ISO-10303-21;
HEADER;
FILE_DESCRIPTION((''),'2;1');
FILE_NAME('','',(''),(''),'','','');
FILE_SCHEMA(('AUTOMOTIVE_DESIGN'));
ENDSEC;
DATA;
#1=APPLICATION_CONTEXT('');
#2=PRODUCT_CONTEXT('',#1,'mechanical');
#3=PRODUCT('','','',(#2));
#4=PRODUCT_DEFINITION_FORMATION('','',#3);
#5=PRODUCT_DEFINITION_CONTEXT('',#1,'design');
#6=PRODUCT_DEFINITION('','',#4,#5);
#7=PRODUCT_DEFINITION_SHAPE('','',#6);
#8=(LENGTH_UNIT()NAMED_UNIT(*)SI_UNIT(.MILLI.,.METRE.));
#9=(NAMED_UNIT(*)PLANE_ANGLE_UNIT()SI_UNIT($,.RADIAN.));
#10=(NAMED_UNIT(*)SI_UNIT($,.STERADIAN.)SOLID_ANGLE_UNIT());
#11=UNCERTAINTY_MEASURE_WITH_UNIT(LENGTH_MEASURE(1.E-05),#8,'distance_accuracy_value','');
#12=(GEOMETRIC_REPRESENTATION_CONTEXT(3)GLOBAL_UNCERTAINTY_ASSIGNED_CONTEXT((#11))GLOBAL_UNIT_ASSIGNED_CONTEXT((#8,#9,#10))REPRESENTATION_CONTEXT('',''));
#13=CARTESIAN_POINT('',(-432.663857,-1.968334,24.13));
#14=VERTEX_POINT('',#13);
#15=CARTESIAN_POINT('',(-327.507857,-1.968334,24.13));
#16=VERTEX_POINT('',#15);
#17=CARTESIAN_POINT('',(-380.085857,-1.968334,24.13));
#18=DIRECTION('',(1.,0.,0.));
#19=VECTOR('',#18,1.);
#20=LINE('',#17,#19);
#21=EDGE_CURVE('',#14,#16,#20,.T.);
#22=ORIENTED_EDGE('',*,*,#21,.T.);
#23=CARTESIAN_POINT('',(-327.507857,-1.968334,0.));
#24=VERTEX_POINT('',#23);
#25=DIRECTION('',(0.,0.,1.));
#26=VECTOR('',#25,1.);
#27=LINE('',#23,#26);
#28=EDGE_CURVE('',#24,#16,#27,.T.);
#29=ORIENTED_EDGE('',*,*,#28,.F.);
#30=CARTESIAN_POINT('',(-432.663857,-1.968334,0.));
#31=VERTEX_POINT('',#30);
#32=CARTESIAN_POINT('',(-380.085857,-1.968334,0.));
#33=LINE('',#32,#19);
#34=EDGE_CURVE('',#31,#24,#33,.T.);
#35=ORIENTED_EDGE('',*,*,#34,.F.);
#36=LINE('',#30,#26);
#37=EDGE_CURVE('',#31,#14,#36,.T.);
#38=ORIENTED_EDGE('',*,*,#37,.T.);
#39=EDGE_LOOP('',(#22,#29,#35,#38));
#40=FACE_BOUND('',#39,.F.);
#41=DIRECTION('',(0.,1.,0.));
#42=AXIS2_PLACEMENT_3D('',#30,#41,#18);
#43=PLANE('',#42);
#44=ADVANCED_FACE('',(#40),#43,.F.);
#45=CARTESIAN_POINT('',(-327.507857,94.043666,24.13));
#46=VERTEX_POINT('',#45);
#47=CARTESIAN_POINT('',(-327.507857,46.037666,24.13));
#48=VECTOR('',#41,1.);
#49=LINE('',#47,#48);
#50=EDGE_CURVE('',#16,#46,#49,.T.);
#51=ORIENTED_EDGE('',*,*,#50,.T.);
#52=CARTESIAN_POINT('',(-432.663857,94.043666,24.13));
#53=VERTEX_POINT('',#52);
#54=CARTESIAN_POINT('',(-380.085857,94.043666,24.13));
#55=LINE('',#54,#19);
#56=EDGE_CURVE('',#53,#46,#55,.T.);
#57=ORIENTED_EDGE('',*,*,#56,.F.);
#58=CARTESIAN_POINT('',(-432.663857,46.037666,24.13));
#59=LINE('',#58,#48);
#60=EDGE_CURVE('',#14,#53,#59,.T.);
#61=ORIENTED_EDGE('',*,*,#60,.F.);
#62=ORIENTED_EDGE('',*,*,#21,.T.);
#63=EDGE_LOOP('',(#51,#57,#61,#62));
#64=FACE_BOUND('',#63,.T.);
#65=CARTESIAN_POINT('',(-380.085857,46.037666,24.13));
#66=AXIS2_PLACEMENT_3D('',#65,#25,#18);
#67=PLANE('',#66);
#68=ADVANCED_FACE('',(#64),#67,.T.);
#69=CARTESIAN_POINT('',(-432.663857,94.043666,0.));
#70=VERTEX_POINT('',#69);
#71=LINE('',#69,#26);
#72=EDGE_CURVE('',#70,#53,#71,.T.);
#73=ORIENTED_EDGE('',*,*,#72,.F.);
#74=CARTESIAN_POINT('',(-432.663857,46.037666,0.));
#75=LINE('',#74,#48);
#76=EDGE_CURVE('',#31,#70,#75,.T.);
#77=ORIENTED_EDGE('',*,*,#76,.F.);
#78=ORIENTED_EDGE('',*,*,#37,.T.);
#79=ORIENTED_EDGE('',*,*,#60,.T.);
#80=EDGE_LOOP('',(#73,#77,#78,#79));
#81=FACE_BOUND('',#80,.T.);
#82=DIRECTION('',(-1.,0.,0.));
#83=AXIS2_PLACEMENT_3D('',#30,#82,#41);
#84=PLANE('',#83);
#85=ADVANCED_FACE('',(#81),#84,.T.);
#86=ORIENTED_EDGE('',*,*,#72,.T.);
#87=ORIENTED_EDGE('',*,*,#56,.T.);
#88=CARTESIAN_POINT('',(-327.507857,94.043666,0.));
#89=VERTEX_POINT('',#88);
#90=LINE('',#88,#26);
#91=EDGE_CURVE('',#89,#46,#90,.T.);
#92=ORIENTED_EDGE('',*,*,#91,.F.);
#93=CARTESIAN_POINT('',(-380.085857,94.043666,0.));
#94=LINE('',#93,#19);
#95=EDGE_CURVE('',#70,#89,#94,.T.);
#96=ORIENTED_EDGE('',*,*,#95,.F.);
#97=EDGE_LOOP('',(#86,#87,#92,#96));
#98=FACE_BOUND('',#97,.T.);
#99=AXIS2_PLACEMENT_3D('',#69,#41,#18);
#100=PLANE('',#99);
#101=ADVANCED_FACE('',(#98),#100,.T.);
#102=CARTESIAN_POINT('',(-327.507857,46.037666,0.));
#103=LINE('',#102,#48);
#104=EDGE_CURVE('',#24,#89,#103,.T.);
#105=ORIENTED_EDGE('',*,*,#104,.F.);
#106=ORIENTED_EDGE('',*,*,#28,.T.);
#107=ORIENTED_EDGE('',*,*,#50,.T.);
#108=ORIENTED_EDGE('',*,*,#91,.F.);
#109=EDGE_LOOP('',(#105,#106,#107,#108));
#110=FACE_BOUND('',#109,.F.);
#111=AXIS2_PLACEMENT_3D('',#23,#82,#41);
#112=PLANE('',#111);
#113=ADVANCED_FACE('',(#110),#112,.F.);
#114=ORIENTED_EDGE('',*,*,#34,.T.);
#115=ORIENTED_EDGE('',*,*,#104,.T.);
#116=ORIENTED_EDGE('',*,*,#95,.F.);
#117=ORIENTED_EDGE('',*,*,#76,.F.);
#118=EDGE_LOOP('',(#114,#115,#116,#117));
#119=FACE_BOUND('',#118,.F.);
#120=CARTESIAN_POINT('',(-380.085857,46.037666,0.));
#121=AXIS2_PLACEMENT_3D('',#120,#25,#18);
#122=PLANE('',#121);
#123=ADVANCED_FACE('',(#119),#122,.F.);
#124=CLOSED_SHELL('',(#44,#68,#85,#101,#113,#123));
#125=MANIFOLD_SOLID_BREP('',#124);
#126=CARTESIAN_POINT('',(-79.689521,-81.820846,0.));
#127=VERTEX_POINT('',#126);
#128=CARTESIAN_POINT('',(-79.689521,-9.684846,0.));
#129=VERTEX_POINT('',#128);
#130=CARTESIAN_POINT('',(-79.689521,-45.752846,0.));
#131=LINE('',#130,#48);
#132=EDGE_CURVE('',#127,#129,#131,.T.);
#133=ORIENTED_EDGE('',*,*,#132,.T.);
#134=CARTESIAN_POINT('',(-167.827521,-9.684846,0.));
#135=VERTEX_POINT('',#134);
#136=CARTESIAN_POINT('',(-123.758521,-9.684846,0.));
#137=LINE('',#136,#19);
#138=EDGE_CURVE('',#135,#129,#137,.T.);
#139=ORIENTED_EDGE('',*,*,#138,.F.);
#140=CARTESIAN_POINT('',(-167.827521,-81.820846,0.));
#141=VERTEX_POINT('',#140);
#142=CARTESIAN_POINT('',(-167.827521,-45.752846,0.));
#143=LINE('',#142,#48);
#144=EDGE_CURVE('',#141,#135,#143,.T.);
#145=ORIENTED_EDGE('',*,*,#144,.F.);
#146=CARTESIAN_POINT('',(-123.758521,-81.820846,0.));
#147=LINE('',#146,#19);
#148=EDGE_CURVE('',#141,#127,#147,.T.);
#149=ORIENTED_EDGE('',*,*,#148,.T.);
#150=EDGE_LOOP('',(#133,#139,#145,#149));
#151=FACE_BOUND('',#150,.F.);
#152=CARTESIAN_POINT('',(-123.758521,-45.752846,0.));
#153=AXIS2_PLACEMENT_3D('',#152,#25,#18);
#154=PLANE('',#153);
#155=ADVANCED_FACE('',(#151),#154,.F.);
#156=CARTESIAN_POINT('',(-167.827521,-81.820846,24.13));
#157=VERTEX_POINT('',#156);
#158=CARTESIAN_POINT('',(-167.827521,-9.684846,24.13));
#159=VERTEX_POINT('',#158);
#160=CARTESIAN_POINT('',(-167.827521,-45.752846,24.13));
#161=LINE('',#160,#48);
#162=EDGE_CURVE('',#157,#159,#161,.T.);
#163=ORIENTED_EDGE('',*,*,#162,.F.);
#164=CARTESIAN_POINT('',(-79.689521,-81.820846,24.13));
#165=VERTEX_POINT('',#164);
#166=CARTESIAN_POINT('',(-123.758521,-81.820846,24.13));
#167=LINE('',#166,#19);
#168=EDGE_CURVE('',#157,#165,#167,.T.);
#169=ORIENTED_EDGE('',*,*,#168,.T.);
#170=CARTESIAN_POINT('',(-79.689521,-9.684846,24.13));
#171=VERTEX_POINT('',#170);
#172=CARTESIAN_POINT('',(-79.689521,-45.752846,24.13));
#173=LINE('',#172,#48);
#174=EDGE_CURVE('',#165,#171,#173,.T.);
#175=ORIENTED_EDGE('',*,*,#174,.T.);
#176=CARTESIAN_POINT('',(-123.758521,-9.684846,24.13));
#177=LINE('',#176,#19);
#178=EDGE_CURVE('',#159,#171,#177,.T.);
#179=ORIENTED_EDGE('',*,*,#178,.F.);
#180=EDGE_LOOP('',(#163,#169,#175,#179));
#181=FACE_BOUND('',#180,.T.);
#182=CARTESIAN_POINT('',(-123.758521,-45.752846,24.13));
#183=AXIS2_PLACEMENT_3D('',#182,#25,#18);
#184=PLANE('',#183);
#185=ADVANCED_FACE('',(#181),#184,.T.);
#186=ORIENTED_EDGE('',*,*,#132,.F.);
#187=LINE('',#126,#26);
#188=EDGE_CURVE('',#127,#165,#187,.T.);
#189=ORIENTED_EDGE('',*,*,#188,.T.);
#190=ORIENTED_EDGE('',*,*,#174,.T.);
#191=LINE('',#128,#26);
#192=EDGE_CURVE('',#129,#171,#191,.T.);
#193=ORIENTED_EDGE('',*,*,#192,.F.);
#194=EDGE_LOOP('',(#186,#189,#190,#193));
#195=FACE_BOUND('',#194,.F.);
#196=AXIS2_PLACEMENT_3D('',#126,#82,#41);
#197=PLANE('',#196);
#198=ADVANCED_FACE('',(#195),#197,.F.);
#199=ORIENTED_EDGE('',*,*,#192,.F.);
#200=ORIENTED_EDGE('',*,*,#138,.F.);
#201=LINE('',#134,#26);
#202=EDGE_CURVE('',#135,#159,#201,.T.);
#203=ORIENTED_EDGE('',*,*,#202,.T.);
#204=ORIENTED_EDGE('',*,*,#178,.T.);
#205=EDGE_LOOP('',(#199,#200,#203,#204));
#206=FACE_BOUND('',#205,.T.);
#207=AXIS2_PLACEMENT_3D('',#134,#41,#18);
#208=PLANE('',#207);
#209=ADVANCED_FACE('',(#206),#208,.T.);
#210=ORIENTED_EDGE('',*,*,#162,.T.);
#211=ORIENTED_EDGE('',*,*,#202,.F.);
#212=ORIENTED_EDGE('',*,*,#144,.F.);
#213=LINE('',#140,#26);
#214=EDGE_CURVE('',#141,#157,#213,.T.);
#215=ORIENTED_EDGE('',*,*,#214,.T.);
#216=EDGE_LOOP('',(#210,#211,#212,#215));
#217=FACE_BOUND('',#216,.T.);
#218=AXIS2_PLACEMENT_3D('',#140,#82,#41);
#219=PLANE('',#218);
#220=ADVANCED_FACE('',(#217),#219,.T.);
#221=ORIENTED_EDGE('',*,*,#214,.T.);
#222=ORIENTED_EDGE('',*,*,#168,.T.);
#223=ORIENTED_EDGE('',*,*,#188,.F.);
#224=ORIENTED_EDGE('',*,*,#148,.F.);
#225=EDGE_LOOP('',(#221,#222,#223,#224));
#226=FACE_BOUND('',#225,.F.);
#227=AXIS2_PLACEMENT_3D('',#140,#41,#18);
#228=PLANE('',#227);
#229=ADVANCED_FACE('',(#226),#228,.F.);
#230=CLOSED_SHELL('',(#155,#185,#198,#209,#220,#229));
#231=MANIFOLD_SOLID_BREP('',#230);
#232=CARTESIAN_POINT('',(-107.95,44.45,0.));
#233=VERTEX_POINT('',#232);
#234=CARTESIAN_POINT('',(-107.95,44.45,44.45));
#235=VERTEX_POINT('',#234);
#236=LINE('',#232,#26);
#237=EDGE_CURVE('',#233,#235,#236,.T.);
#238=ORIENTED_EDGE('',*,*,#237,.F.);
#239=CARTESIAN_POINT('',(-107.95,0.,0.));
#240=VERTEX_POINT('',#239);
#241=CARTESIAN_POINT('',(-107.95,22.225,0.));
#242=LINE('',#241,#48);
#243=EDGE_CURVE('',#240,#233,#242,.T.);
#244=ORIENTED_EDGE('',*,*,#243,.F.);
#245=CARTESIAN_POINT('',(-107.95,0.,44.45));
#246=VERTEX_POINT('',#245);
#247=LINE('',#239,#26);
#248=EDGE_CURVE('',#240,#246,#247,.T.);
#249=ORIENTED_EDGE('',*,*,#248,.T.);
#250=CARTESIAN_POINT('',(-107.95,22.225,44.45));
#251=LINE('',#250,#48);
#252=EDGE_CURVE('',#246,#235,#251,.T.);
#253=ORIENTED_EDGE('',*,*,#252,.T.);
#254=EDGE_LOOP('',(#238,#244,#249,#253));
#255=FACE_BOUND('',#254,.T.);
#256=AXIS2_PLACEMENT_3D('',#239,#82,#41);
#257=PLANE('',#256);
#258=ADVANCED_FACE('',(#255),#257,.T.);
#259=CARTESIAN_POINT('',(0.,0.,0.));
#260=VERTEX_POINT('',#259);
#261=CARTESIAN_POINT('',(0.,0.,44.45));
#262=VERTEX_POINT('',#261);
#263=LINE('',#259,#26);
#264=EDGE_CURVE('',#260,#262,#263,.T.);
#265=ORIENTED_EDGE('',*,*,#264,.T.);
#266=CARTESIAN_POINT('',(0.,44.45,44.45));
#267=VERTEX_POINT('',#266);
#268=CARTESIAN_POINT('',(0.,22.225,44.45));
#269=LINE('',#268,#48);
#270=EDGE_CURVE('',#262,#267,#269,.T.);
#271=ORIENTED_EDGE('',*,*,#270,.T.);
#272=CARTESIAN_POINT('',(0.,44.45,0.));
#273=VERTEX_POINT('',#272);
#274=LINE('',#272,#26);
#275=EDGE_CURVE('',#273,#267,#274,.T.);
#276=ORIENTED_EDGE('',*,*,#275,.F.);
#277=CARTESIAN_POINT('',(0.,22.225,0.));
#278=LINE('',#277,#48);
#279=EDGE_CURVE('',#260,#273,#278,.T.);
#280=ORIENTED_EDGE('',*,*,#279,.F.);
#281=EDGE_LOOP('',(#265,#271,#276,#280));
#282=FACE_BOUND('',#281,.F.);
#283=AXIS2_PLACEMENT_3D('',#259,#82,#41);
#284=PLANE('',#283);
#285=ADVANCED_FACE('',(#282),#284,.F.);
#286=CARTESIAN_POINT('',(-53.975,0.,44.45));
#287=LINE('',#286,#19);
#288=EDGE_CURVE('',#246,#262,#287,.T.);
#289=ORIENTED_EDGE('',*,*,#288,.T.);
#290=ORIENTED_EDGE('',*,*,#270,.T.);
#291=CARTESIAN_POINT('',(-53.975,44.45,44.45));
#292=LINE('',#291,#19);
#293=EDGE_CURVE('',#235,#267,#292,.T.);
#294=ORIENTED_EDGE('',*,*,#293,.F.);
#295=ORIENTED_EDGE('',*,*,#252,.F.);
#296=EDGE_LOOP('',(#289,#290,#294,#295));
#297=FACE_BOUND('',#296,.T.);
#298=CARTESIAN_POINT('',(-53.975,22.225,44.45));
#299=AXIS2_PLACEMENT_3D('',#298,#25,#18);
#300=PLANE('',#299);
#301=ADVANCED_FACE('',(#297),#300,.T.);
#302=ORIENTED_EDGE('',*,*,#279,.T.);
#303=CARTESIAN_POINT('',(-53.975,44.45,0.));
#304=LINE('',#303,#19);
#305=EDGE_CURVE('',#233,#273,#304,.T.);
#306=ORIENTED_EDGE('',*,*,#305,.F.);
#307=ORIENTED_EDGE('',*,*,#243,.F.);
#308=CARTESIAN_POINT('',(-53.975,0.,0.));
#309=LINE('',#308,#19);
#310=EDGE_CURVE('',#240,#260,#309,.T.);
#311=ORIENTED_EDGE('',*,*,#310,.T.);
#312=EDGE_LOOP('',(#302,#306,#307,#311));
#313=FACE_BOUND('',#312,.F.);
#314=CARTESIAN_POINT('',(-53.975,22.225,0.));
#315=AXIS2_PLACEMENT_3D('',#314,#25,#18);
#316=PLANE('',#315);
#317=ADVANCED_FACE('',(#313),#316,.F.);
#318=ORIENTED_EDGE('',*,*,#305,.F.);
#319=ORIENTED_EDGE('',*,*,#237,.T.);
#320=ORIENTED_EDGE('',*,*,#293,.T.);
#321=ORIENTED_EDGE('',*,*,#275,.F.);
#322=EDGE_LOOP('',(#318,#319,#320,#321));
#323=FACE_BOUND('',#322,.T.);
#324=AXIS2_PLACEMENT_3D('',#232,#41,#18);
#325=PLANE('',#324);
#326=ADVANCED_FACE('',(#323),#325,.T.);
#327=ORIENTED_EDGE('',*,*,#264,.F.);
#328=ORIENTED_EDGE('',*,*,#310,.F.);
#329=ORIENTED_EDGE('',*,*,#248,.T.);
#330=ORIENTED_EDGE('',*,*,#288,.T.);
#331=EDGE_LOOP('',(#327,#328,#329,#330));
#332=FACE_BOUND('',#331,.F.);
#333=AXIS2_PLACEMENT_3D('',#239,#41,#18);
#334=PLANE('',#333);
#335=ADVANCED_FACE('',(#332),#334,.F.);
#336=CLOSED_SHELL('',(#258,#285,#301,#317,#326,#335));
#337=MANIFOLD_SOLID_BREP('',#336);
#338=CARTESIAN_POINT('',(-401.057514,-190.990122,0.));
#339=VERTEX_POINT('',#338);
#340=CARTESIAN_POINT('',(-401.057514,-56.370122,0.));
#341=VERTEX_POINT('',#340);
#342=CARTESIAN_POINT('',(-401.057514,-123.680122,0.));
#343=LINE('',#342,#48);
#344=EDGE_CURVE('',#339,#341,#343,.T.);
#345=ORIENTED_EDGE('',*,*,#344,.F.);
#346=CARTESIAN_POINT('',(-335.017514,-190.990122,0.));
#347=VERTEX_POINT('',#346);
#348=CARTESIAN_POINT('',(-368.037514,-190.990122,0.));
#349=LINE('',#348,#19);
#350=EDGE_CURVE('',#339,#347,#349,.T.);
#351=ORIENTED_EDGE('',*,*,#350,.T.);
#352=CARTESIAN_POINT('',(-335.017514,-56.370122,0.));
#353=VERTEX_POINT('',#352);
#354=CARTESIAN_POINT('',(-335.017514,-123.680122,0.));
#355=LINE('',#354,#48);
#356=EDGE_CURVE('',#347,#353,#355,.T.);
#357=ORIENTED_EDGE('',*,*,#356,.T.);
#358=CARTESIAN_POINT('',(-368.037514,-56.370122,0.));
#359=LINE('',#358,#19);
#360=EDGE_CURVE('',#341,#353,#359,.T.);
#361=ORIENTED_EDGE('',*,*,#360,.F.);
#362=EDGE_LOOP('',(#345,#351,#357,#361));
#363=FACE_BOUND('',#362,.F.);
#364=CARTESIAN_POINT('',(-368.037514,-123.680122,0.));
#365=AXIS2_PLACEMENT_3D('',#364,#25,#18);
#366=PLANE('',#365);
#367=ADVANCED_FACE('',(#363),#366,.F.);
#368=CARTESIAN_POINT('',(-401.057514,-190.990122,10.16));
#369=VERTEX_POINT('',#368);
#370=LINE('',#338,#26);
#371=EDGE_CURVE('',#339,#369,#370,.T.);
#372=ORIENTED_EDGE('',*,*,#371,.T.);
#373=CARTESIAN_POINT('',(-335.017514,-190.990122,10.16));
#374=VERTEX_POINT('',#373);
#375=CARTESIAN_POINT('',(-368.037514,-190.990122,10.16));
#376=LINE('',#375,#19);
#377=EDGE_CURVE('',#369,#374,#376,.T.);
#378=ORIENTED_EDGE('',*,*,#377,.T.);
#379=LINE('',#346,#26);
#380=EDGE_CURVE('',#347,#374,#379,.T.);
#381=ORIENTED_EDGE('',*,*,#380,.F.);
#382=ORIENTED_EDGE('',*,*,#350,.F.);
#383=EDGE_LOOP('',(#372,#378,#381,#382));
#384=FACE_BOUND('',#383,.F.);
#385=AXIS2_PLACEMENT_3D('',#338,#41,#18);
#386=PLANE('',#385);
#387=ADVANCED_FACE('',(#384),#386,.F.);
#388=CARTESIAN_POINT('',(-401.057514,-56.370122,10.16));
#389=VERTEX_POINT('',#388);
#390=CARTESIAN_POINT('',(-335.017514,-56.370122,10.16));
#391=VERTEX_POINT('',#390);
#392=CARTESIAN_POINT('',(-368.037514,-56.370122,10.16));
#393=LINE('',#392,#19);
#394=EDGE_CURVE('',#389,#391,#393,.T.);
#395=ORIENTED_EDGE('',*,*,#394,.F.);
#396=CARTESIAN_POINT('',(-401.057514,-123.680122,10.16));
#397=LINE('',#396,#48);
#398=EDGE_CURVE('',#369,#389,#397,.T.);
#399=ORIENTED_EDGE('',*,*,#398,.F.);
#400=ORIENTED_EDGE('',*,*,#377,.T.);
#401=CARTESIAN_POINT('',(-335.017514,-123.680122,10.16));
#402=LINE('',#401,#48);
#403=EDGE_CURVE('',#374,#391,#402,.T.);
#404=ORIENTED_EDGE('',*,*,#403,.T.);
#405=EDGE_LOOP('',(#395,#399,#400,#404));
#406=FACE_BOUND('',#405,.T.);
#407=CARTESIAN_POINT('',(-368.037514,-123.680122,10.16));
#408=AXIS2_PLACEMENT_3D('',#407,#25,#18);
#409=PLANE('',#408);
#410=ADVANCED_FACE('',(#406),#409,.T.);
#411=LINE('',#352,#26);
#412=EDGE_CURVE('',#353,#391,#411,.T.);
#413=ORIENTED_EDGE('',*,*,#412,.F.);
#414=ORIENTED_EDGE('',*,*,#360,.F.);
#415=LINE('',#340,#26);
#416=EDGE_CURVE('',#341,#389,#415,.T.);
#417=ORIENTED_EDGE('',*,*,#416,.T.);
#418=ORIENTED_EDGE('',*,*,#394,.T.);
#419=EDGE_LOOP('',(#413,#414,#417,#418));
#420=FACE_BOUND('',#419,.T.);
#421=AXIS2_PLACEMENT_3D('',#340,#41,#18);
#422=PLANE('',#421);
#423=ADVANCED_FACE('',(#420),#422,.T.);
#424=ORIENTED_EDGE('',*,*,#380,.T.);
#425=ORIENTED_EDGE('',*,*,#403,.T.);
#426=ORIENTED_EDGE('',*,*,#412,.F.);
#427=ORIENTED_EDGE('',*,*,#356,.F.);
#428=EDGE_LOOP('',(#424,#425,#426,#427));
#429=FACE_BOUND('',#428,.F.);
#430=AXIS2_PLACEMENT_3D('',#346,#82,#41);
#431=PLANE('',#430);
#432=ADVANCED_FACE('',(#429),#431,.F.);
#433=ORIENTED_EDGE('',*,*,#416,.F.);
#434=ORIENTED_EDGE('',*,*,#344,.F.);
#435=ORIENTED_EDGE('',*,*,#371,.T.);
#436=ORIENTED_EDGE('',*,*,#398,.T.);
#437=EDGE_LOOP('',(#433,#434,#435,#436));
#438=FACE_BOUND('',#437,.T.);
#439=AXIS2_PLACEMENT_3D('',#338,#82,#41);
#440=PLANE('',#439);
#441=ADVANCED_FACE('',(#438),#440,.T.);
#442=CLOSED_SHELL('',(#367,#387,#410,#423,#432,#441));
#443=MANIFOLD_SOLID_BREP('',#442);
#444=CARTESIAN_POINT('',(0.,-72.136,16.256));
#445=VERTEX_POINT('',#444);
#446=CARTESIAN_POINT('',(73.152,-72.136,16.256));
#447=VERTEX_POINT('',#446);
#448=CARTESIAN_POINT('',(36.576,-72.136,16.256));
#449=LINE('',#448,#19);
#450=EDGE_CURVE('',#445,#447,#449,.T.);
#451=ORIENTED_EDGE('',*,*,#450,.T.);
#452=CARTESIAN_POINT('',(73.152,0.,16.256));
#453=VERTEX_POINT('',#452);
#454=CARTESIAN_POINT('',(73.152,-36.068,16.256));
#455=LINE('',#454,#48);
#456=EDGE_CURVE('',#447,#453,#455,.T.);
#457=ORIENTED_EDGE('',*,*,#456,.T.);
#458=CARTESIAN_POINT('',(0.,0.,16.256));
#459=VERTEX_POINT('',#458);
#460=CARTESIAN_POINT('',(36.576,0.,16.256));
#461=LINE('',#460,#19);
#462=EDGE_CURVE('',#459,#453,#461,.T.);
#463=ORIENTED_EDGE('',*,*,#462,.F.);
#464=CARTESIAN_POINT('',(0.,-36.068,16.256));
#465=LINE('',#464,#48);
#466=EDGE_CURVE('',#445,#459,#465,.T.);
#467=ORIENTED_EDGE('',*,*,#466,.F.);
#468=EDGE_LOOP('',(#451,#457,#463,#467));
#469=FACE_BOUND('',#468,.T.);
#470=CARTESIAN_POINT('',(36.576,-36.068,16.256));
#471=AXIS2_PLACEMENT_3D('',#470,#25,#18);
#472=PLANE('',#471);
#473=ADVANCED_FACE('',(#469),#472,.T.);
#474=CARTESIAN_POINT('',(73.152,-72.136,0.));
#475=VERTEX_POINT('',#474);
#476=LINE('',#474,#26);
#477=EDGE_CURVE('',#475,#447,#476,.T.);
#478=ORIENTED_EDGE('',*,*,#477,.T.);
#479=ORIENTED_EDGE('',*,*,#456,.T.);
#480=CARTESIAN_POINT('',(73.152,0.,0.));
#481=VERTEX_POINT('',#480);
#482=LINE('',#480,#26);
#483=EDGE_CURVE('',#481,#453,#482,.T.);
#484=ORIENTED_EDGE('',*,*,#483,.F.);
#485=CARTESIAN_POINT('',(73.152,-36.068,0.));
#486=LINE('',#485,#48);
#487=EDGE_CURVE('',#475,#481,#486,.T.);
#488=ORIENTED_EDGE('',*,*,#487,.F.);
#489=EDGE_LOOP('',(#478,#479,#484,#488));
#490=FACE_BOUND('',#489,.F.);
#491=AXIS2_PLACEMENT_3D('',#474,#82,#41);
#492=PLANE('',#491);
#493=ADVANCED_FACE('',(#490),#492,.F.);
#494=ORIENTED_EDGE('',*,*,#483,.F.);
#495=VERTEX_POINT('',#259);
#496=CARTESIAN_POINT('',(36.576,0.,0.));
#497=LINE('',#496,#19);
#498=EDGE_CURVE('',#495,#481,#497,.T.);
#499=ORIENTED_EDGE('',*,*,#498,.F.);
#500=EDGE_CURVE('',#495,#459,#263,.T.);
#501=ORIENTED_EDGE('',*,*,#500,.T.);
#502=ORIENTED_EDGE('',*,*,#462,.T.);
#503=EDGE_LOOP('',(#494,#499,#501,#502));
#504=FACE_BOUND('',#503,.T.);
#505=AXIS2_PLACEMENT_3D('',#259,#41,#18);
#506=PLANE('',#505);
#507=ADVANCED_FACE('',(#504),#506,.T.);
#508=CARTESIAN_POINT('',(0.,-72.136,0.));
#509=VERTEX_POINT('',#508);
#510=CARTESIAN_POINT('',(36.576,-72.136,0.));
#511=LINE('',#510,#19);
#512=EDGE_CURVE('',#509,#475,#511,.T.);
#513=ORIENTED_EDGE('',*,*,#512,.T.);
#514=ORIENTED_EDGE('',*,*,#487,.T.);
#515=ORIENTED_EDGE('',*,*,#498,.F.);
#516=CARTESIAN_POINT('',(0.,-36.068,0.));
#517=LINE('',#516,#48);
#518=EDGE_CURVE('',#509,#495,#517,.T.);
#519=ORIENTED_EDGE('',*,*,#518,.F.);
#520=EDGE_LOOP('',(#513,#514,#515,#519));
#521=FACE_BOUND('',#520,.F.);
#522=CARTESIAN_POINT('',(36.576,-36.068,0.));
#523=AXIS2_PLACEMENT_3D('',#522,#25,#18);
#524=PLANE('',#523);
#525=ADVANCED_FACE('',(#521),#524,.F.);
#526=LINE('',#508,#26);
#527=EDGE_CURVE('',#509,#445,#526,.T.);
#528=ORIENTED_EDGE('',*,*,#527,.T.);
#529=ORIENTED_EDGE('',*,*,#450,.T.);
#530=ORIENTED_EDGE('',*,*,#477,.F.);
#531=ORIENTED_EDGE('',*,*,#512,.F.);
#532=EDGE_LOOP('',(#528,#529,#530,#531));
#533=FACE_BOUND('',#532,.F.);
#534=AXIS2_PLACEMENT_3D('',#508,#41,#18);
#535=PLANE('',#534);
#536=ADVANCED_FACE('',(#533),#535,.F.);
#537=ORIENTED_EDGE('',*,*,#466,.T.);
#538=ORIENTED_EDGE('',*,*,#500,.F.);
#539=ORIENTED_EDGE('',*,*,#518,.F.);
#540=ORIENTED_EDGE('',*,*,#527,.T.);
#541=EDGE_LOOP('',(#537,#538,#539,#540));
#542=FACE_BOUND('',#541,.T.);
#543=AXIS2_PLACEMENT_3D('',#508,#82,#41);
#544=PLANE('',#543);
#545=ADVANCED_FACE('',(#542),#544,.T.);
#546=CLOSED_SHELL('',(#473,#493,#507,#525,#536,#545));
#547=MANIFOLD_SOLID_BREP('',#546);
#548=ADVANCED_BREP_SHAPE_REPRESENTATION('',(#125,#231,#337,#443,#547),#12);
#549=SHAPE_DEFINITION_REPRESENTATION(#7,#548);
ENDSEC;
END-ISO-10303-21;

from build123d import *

# Parameters (mm, degrees)
F0_W     = 107.95
F0_H     = 44.45
F1_DEPTH = 44.45
F2_W     = 73.152
F2_H     = 72.136
F3_DEPTH = 16.256
F4_W     = 88.138
F4_H     = 72.136
F5_DEPTH = 24.13
F6_W     = 105.156
F6_H     = 96.012
F7_DEPTH = 24.13
F8_W     = 66.04
F8_H     = 134.62
F9_DEPTH = 10.16


with BuildPart() as f1:
    # F0 (on Top) → F1 (new body)
    with BuildSketch(Plane.XY):
        with Locations((-53.975, 22.225)):
            Rectangle(F0_W, F0_H)
    extrude(amount=F1_DEPTH)


with BuildPart() as f3:
    # F2 (on Top) → F3 (new body)
    with BuildSketch(Plane.XY):
        with Locations((36.576, -36.068)):
            Rectangle(F2_W, F2_H)
    extrude(amount=F3_DEPTH)


with BuildPart() as f5:
    # F4 (on Top) → F5 (new body)
    with BuildSketch(Plane.XY):
        with Locations((-123.758521, -45.752846)):
            Rectangle(F4_W, F4_H)
    extrude(amount=F5_DEPTH)


with BuildPart() as f7:
    # F6 (on Top) → F7 (new body)
    with BuildSketch(Plane.XY):
        with Locations((-380.085857, 46.037666)):
            Rectangle(F6_W, F6_H)
    extrude(amount=F7_DEPTH)


with BuildPart() as f9:
    # F8 (on Top) → F9 (new body)
    with BuildSketch(Plane.XY):
        with Locations((-368.037514, -123.680122)):
            Rectangle(F8_W, F8_H)
    extrude(amount=F9_DEPTH)


solid = Compound([f1.part, f3.part, f5.part, f7.part, f9.part])
